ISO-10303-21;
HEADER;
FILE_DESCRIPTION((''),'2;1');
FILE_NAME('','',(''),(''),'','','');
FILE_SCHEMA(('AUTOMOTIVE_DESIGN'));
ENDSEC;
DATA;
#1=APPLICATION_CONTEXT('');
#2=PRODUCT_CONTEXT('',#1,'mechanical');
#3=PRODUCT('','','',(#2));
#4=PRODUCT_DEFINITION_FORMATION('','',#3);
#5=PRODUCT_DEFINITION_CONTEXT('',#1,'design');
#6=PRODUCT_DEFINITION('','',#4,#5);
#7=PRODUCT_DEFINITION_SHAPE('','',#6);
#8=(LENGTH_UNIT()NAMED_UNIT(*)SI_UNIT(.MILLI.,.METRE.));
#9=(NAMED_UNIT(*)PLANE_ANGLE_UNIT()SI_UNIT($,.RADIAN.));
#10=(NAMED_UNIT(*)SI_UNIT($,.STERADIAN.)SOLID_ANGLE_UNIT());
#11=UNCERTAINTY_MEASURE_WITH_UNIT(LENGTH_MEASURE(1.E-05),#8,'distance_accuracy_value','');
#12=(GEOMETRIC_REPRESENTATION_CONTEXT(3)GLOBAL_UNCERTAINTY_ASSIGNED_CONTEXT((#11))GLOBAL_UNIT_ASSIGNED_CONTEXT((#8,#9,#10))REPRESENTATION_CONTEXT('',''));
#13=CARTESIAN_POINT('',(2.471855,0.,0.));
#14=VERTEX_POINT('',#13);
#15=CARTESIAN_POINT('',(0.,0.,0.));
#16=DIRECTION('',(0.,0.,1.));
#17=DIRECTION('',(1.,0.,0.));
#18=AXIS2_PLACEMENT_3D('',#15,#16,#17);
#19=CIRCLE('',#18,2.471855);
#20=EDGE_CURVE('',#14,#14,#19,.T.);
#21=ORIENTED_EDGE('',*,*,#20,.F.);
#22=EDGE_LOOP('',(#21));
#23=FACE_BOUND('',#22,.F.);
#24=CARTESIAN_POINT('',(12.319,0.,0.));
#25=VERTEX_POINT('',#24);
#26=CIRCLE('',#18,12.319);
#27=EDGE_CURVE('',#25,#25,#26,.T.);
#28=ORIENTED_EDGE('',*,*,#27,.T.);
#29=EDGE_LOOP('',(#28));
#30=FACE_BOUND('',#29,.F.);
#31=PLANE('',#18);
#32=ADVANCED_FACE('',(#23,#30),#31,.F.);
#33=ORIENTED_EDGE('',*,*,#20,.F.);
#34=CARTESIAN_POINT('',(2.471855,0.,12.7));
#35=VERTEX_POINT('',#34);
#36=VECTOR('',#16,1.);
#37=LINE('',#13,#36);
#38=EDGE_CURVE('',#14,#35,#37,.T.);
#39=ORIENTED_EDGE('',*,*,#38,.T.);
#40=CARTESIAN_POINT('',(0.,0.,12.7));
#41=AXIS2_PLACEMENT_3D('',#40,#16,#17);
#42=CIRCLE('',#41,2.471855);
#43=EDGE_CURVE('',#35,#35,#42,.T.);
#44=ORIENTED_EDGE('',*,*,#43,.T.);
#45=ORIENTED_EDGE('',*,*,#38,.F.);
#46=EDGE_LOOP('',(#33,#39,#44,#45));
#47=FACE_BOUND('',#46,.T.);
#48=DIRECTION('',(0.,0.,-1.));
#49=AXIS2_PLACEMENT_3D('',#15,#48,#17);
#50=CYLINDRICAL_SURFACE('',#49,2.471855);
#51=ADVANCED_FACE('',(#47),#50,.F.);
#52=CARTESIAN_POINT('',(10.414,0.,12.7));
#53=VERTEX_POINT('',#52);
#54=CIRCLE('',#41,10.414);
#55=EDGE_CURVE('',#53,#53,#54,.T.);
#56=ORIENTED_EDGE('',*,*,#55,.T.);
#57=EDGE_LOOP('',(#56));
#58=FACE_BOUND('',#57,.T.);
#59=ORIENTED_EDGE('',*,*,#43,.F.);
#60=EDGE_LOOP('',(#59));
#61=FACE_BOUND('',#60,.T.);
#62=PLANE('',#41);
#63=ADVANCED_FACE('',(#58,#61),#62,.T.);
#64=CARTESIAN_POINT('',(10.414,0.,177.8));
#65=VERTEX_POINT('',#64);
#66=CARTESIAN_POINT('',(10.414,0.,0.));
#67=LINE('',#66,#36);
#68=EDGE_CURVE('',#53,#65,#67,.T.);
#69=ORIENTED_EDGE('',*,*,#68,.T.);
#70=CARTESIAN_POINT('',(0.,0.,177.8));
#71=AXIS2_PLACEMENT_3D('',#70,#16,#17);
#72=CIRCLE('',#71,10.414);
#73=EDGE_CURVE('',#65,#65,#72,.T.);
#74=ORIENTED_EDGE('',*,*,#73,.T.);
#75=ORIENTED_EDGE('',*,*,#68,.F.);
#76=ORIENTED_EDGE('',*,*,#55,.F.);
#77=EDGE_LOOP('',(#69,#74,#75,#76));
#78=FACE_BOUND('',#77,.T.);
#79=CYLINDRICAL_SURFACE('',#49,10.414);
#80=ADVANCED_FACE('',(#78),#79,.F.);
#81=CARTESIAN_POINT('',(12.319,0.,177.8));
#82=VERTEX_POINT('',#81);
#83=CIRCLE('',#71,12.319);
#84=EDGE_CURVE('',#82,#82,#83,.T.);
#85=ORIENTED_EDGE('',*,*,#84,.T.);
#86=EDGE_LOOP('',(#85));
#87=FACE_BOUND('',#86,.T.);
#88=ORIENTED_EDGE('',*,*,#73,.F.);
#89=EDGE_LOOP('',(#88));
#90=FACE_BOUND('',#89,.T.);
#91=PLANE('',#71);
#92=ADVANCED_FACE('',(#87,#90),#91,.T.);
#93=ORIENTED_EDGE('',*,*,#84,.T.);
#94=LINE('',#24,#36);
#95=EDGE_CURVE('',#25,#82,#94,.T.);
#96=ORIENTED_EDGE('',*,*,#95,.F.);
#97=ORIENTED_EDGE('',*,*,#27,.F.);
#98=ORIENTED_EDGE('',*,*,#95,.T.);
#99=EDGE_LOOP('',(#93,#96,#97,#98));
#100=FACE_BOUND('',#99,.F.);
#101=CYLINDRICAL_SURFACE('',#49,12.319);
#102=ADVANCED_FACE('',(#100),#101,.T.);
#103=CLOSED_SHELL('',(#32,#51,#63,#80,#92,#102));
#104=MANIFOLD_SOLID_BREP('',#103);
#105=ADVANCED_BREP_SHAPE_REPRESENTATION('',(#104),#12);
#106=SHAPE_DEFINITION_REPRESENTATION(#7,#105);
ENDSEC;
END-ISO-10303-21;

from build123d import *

# Parameters (mm, degrees)
F0_R     = 12.319
F0_R_2   = 10.414
F1_DEPTH = 177.8
F0_R_3   = 2.471855
F2_DEPTH = 12.7
F3_DEPTH = 25.4


with BuildPart() as f1:
    # F0 (on Top) → F1 (new body)
    with BuildSketch(Plane.XY):
        Circle(F0_R)
        Circle(F0_R_2, mode=Mode.SUBTRACT)
    extrude(amount=F1_DEPTH)

    # F0 (on Top) → F2 (join)
    with BuildSketch(Plane.XY):
        Circle(F0_R_2)
        Circle(F0_R_3, mode=Mode.SUBTRACT)
    extrude(amount=F2_DEPTH)

    # F0 (on Top) → F3 (cut)
    with BuildSketch(Plane.XY):
        Circle(F0_R_3)
    extrude(amount=-F3_DEPTH, mode=Mode.SUBTRACT)


solid = f1.part
